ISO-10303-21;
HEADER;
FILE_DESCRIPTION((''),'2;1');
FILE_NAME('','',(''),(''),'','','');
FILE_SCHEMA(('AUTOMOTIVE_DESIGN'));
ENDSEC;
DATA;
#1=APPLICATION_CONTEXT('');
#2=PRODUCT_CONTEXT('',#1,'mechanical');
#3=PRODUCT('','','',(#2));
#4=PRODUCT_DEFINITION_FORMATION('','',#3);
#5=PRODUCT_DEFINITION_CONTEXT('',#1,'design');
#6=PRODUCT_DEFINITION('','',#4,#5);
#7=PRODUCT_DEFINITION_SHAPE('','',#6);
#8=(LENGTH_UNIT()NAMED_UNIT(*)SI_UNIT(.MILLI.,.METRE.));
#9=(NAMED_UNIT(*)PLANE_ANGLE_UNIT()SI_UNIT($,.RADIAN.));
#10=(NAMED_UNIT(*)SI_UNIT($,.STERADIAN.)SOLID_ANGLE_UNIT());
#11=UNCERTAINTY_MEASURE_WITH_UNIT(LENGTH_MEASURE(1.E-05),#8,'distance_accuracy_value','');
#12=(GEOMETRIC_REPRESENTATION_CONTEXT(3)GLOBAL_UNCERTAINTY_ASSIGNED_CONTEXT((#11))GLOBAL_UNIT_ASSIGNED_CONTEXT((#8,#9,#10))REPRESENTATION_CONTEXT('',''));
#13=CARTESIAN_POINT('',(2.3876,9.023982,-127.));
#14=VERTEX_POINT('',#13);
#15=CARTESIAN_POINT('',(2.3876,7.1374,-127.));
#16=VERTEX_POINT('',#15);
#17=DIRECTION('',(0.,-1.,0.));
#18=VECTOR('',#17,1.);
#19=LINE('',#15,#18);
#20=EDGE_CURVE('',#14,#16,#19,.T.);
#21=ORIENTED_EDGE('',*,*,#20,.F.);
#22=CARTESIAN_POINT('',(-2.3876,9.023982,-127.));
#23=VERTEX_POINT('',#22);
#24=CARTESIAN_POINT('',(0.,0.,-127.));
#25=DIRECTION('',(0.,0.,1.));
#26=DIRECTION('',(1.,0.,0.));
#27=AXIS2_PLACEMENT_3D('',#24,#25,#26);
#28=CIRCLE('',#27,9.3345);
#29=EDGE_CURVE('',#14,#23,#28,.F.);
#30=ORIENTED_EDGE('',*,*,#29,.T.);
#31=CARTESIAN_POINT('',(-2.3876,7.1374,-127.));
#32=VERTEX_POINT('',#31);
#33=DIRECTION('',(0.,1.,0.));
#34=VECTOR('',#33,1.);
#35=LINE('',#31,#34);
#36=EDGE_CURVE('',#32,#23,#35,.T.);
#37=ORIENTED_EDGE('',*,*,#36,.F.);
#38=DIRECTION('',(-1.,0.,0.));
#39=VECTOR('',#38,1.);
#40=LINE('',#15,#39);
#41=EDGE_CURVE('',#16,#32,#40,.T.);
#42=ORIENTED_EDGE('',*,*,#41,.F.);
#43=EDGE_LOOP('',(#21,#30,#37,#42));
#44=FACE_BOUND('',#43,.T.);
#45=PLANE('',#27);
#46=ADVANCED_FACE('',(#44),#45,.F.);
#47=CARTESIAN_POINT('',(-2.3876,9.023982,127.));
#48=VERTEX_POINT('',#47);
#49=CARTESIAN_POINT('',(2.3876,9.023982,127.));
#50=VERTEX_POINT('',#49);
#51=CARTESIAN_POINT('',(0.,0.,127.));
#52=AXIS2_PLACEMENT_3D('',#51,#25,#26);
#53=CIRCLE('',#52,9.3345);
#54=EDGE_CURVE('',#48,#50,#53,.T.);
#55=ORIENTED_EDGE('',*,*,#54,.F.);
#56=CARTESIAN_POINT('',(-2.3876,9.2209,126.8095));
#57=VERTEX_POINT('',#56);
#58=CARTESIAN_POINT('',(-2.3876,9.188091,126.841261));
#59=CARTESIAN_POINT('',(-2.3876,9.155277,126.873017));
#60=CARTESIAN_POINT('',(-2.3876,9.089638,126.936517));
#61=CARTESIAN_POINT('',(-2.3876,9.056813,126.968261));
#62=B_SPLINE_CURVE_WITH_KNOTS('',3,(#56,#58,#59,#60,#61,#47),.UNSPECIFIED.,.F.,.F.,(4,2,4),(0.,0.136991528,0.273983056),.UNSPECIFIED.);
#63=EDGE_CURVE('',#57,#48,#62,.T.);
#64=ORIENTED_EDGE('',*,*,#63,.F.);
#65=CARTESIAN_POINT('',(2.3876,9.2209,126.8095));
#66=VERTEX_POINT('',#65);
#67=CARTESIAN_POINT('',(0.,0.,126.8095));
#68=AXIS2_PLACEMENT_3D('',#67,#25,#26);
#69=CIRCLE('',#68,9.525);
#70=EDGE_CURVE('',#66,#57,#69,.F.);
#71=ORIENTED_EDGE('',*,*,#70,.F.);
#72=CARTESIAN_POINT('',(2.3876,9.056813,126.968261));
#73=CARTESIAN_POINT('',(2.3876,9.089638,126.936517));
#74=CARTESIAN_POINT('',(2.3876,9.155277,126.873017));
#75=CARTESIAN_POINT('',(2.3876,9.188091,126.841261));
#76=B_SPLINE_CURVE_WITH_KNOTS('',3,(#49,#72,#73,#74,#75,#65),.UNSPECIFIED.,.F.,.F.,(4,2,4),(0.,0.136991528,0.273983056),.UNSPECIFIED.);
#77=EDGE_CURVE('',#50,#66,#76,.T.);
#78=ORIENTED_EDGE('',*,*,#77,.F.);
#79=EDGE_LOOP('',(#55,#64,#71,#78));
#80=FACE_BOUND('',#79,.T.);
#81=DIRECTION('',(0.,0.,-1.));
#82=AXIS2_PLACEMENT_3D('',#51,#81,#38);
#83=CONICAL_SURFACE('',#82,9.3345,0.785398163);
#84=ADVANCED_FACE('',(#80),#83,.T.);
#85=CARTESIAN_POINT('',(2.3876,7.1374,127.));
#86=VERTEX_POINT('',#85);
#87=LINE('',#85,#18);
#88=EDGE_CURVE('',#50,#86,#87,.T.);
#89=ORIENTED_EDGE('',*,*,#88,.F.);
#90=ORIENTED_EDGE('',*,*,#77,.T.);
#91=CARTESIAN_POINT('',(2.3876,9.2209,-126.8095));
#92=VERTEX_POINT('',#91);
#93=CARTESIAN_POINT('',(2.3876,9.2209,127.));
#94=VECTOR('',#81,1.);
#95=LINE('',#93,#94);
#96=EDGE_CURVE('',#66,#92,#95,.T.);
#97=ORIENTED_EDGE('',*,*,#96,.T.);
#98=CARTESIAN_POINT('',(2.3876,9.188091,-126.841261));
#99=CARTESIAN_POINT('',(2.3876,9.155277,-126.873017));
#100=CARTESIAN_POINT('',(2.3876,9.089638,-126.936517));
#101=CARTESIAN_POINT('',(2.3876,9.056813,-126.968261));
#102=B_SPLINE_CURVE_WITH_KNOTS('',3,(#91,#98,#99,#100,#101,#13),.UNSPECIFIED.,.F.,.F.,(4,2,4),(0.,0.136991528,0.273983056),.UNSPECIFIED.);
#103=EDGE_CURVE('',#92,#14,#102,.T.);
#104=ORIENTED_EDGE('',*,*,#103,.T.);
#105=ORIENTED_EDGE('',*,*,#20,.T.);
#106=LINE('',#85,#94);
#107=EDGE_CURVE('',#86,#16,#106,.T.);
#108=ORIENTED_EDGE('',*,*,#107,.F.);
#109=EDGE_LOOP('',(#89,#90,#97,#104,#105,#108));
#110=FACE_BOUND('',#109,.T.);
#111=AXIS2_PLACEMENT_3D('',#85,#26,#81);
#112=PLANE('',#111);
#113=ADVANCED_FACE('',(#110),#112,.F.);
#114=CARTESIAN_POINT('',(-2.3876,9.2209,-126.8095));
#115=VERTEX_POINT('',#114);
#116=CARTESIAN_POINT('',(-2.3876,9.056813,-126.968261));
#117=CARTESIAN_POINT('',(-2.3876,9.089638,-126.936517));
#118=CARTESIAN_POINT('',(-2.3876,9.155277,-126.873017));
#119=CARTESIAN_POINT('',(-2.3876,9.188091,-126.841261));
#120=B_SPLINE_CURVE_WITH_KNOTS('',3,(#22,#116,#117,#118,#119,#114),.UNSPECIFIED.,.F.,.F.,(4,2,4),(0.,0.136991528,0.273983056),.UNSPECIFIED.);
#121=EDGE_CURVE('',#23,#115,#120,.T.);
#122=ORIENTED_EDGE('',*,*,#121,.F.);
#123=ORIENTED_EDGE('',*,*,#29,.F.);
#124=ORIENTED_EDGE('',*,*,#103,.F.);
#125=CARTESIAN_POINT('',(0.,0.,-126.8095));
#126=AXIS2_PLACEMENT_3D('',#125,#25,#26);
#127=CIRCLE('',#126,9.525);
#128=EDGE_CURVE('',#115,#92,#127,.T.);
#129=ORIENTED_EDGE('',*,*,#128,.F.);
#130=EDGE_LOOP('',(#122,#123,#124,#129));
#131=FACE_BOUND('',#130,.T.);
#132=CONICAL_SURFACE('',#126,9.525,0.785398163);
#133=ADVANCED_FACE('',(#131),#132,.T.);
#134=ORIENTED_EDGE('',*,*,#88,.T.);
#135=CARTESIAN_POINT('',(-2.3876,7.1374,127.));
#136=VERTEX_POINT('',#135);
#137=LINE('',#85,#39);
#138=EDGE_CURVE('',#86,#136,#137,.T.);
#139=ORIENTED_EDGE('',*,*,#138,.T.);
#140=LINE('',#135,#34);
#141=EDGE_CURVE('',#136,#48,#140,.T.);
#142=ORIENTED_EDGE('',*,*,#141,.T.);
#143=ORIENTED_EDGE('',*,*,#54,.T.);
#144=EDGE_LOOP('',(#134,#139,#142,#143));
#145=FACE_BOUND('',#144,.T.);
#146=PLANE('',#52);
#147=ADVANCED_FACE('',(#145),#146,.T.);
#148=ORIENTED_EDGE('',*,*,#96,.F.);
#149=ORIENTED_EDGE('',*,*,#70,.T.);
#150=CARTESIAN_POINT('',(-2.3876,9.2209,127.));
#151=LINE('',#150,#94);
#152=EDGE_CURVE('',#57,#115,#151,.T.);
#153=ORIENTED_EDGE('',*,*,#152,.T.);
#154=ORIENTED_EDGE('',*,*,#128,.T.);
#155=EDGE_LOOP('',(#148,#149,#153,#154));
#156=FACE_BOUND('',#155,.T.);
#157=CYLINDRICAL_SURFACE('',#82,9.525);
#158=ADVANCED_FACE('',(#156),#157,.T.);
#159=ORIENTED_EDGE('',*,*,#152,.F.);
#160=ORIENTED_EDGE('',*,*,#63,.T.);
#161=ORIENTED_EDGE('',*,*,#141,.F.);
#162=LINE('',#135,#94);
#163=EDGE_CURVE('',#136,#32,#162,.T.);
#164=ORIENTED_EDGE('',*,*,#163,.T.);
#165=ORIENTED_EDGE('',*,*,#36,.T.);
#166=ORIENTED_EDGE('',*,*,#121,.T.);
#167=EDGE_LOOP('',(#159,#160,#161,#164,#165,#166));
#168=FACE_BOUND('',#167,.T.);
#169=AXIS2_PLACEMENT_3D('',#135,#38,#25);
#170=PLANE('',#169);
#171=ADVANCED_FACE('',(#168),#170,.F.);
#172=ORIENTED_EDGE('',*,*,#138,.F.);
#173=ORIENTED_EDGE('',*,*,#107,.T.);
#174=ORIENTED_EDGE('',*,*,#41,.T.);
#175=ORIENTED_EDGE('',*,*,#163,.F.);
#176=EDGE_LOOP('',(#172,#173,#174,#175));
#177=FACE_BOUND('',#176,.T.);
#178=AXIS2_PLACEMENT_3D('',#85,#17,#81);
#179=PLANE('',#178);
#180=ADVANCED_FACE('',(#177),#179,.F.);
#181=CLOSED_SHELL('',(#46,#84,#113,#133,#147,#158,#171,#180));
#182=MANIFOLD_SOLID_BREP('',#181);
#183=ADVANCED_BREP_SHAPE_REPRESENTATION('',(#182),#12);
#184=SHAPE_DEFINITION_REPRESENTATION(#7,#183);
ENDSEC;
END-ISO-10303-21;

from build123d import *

# Parameters (mm, degrees)
BOSS_EXTRUDE1_DEPTH      = 127
BOSS_EXTRUDE1_DEPTH_BACK = 127
CHAMFER1_SIZE            = 0.1905


with BuildPart() as part:
    # Sketch3 → Boss-Extrude1 (new, two sides: drawn at the far end of the back side and taken through both)
    with BuildSketch(Plane.XY.offset(-BOSS_EXTRUDE1_DEPTH_BACK)):
        with BuildLine():
            Line((-2.3876, 7.1374), (-2.3876, 9.220899698))
            ThreePointArc((-2.3876, 9.220899698), (0, -9.525), (2.3876, 9.220899698))
            Line((2.3876, 9.220899698), (2.3876, 7.1374))
            Line((2.3876, 7.1374), (-2.3876, 7.1374))
        make_face()
    extrude(amount=BOSS_EXTRUDE1_DEPTH + BOSS_EXTRUDE1_DEPTH_BACK)

    # Chamfer1
    chamfer1_edges = [part.edges().sort_by_distance(p)[0] for p in [
        (0, -9.525, -127),
        (0, -9.525, 127),
    ]]
    chamfer(chamfer1_edges, length=CHAMFER1_SIZE)


solid = part.part
